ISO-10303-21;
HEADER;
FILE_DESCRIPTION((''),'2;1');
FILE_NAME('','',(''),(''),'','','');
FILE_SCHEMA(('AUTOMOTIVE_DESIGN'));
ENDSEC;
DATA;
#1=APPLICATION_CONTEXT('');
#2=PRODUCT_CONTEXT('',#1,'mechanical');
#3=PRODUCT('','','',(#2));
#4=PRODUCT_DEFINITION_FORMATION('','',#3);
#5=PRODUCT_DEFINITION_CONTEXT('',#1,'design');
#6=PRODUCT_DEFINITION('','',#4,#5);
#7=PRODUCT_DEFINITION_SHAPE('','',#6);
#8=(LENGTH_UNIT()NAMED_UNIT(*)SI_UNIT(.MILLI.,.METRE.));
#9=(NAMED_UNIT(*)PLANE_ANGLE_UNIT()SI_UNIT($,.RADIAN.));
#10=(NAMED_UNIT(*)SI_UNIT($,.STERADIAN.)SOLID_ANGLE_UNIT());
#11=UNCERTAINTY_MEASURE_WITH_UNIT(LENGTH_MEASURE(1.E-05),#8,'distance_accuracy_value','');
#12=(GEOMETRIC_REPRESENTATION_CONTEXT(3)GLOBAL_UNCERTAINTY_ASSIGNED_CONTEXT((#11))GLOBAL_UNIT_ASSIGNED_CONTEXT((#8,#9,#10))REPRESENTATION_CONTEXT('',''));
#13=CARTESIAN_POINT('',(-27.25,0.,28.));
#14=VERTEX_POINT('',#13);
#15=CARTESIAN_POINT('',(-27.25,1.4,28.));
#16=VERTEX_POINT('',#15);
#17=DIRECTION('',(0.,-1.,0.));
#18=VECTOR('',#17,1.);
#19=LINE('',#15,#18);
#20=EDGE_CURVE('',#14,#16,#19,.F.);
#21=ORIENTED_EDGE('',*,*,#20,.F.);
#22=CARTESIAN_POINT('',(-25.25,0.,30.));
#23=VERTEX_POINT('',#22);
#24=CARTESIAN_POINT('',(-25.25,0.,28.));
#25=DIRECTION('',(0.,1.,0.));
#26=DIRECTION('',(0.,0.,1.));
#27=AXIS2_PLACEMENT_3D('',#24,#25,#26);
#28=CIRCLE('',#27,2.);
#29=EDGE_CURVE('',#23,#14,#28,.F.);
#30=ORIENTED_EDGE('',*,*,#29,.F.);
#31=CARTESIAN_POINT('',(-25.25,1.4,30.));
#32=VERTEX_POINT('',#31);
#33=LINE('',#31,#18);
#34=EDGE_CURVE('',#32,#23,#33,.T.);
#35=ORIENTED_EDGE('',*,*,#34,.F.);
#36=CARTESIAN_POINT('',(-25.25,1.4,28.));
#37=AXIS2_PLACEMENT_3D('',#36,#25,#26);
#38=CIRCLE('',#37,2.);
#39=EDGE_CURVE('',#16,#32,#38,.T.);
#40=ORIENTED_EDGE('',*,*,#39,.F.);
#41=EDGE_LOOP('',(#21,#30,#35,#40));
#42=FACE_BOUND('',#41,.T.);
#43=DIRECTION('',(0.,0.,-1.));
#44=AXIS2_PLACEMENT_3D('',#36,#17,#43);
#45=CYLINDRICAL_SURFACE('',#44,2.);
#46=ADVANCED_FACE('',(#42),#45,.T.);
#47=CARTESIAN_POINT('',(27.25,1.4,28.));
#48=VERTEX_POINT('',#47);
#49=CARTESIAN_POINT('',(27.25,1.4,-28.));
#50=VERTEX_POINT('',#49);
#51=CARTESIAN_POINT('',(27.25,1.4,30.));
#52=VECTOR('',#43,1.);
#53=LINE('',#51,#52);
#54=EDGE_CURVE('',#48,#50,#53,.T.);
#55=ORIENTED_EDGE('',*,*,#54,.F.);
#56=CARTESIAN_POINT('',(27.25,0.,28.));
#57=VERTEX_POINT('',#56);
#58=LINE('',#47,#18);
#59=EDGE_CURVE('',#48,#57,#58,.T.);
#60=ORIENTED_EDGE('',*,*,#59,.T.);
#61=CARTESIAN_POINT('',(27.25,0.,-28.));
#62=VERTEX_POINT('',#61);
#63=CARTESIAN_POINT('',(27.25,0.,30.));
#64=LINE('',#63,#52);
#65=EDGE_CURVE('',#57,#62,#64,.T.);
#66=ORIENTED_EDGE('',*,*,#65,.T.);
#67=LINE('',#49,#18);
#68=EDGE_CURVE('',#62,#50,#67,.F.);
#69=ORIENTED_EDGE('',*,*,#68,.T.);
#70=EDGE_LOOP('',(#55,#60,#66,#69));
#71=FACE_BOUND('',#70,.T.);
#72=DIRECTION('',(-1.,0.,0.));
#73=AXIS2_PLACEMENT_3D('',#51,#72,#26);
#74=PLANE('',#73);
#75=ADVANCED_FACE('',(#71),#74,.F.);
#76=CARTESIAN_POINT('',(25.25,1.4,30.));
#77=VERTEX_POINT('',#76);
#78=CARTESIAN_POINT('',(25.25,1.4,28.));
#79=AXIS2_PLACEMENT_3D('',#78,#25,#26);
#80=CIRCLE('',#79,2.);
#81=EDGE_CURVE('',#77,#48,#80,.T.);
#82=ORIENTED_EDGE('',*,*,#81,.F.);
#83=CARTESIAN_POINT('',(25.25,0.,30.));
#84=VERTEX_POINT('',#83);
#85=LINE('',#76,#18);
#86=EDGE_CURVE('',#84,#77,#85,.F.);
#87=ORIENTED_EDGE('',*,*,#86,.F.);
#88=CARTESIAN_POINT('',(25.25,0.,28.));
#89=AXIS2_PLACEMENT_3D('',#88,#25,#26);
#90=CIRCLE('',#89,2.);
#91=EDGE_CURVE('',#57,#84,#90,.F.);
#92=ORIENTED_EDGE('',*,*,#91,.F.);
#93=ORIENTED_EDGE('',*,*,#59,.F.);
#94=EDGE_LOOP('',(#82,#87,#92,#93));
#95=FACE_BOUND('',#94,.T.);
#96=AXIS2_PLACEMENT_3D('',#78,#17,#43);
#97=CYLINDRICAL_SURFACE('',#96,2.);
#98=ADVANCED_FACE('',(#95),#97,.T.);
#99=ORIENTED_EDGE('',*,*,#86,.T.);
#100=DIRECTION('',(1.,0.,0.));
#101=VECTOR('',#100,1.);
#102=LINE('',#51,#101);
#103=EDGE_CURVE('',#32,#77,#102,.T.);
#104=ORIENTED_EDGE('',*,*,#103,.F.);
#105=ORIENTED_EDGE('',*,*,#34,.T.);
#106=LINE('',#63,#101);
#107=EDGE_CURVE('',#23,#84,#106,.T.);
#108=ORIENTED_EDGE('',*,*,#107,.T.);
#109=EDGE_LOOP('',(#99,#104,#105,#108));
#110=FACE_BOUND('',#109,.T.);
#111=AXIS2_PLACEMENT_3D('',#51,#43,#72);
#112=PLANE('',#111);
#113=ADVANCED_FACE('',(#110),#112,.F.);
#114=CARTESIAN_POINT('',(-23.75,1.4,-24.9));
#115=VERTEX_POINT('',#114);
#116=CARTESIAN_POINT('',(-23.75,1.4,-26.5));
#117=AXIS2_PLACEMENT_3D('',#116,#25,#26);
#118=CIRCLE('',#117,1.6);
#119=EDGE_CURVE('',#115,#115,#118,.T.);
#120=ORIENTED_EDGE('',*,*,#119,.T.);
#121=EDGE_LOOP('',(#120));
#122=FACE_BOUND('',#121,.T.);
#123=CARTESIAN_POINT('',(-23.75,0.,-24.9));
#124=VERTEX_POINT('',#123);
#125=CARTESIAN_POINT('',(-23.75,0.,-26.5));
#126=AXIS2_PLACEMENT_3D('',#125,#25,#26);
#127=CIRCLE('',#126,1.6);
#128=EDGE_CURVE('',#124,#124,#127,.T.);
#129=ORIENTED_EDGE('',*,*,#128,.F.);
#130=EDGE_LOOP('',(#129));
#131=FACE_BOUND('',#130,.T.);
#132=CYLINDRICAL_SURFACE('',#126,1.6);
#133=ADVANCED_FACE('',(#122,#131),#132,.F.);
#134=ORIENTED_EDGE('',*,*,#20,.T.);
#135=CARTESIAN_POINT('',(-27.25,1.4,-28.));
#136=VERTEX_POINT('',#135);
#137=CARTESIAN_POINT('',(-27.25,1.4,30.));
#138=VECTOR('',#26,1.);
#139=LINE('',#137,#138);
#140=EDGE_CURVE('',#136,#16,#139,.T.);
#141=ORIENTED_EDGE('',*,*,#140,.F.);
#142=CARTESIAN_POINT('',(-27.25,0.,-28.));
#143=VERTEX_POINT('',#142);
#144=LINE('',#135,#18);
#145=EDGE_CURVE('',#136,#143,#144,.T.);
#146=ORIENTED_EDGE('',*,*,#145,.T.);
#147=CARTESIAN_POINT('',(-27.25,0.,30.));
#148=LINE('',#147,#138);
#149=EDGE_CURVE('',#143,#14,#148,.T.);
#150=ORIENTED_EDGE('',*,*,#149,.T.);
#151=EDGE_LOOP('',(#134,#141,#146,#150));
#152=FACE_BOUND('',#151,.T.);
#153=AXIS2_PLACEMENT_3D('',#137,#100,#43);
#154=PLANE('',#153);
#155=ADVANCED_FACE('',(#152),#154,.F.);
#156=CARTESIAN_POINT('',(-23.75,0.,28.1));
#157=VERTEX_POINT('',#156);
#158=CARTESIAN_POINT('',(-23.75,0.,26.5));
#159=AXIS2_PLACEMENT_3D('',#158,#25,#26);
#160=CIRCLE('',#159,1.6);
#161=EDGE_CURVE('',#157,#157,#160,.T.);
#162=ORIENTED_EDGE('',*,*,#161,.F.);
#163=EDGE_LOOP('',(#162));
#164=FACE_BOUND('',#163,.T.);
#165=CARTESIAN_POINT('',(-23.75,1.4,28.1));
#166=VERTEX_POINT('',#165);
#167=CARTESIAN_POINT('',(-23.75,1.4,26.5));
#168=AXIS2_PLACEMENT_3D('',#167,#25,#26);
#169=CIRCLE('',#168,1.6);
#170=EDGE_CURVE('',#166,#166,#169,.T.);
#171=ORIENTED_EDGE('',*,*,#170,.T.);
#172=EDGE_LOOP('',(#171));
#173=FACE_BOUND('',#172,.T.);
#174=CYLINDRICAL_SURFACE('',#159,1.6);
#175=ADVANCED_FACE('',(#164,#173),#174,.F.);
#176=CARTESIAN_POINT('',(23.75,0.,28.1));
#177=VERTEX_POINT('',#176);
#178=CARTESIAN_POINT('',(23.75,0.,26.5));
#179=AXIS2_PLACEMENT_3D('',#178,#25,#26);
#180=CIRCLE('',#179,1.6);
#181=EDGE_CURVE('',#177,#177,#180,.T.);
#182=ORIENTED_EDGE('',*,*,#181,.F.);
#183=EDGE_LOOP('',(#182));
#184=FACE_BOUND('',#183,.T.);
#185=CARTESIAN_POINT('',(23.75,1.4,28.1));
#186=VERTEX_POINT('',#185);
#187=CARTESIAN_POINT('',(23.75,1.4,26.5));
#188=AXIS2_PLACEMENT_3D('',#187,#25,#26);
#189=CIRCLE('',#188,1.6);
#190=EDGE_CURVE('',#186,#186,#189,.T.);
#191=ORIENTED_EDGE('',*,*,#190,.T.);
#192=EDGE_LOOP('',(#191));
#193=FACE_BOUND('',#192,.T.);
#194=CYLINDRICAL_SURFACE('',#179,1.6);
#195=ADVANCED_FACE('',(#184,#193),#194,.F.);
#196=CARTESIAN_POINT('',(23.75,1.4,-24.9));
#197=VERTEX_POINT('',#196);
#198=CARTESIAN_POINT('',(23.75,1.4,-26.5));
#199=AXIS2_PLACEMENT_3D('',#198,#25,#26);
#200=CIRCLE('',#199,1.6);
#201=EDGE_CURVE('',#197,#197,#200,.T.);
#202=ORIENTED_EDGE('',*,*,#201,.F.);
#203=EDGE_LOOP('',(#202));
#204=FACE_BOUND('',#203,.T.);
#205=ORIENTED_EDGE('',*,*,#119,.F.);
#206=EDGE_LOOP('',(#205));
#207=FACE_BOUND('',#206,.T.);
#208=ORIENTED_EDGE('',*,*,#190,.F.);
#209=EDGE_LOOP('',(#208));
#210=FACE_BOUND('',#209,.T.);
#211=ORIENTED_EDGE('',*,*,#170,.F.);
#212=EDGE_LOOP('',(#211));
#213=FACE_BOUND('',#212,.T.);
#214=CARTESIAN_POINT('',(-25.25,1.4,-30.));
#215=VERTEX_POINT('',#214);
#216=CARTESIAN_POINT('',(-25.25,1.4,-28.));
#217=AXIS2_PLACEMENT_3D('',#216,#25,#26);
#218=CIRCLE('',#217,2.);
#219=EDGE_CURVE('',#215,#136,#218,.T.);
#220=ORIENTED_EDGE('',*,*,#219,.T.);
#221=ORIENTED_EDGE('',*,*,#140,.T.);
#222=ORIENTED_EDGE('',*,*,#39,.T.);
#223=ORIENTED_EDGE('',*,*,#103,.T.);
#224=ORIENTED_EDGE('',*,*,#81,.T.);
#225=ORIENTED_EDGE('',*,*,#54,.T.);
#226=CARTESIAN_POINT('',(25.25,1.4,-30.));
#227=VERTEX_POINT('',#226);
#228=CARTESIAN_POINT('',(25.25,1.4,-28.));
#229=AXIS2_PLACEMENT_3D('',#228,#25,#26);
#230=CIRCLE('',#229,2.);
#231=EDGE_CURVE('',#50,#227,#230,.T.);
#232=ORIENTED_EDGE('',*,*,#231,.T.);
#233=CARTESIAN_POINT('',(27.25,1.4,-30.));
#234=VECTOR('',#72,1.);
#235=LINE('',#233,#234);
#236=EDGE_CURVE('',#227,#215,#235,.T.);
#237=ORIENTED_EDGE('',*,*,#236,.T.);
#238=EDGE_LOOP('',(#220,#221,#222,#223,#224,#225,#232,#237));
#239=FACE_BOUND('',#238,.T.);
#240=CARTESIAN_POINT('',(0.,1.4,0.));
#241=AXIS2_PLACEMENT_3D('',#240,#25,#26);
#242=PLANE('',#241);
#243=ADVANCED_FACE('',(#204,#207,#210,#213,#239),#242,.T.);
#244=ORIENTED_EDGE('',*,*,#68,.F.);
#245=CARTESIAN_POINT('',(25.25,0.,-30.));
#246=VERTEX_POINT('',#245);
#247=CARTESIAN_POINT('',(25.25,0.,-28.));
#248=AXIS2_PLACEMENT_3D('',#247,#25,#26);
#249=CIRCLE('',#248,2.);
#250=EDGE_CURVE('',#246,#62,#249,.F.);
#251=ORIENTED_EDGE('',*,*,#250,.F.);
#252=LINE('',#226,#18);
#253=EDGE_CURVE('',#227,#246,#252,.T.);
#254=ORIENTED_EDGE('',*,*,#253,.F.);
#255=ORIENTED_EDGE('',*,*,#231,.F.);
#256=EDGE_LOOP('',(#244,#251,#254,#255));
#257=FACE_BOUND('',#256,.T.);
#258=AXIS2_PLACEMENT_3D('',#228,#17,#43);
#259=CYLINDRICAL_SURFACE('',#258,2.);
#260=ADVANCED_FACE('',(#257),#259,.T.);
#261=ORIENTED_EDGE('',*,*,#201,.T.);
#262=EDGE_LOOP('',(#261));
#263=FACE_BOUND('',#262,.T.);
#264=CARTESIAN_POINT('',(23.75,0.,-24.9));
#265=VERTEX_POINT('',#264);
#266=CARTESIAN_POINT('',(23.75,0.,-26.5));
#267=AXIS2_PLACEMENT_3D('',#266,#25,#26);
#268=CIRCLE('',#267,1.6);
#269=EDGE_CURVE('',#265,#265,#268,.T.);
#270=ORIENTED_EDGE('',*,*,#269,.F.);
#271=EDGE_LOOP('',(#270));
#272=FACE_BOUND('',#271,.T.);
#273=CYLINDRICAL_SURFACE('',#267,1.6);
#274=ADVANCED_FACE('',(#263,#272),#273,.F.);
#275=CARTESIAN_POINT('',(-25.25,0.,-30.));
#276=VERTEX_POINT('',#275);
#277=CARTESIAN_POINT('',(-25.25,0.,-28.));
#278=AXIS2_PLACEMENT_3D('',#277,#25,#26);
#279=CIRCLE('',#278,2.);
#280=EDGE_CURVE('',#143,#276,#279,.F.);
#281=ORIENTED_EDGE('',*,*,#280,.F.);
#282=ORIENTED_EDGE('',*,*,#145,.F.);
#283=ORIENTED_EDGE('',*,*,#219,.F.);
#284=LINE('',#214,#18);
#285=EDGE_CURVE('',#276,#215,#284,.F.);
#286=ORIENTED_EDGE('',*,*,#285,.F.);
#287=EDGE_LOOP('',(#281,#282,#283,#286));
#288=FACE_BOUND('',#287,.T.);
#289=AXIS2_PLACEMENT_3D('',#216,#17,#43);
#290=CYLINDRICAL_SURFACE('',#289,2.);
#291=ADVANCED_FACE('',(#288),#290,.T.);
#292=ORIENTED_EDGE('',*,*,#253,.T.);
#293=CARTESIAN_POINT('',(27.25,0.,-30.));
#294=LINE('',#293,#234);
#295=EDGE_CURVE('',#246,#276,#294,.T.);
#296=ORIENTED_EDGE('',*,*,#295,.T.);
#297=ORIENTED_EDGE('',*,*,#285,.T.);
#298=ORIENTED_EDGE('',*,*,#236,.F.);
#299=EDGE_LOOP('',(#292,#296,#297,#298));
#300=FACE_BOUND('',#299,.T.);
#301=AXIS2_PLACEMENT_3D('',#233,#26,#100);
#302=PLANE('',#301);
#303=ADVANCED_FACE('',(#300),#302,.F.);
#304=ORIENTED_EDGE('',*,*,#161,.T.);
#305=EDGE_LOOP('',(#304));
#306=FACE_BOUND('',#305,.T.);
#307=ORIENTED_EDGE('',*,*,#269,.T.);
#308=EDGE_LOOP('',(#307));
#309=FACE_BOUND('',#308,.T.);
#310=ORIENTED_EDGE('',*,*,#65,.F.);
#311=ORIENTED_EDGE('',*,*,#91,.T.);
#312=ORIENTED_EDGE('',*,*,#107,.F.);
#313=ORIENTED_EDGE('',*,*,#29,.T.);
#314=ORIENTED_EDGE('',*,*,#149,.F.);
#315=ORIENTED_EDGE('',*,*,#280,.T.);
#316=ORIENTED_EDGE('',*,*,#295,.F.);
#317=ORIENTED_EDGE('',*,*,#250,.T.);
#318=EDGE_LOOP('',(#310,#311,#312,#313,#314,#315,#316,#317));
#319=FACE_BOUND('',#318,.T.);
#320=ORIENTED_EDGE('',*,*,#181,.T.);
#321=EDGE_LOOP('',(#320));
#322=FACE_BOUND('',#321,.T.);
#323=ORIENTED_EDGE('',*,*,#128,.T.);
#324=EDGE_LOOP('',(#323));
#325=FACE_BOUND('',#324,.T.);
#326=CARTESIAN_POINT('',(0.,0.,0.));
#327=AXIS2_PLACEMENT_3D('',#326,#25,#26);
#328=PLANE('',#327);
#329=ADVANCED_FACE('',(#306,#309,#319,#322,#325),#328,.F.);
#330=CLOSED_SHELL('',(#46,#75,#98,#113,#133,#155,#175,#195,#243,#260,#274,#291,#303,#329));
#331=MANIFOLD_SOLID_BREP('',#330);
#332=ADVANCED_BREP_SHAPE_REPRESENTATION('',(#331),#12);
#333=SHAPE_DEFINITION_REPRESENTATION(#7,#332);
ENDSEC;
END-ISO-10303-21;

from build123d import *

# Parameters (mm, degrees)
SKETCH1_W           = 54.5
SKETCH1_H           = 60
BOSS_EXTRUDE1_DEPTH = 1.4
SKETCH2_R           = 1.6
CUT_EXTRUDE1_DEPTH  = 2.4
FILLET1_R           = 2


with BuildPart() as part:
    # Sketch1 → Boss-Extrude1 (new body)
    with BuildSketch(Plane(origin=(0, 0, 0), x_dir=(1, 0, 0), z_dir=(0, 1, 0))):
        Rectangle(SKETCH1_W, SKETCH1_H)
    extrude(amount=BOSS_EXTRUDE1_DEPTH)

    # Sketch2 → Cut-Extrude1 (cut, through all)
    with BuildSketch(Plane(origin=(0, 1.4, 0), x_dir=(1, 0, 0), z_dir=(0, 1, 0))):
        with Locations((-23.75, 26.5)):
            Circle(SKETCH2_R)
        with Locations((-23.75, -26.5)):
            Circle(SKETCH2_R)
        with Locations((23.75, -26.5)):
            Circle(SKETCH2_R)
        with Locations((23.75, 26.5)):
            Circle(SKETCH2_R)
    extrude(amount=-CUT_EXTRUDE1_DEPTH, mode=Mode.SUBTRACT)

    # Fillet1
    fillet1_edges = [part.edges().sort_by_distance(p)[0] for p in [
        (-27.25, 0.7, -30),
        (27.25, 0.7, -30),
        (27.25, 0.7, 30),
        (-27.25, 0.7, 30),
    ]]
    fillet(fillet1_edges, radius=FILLET1_R)


solid = part.part
